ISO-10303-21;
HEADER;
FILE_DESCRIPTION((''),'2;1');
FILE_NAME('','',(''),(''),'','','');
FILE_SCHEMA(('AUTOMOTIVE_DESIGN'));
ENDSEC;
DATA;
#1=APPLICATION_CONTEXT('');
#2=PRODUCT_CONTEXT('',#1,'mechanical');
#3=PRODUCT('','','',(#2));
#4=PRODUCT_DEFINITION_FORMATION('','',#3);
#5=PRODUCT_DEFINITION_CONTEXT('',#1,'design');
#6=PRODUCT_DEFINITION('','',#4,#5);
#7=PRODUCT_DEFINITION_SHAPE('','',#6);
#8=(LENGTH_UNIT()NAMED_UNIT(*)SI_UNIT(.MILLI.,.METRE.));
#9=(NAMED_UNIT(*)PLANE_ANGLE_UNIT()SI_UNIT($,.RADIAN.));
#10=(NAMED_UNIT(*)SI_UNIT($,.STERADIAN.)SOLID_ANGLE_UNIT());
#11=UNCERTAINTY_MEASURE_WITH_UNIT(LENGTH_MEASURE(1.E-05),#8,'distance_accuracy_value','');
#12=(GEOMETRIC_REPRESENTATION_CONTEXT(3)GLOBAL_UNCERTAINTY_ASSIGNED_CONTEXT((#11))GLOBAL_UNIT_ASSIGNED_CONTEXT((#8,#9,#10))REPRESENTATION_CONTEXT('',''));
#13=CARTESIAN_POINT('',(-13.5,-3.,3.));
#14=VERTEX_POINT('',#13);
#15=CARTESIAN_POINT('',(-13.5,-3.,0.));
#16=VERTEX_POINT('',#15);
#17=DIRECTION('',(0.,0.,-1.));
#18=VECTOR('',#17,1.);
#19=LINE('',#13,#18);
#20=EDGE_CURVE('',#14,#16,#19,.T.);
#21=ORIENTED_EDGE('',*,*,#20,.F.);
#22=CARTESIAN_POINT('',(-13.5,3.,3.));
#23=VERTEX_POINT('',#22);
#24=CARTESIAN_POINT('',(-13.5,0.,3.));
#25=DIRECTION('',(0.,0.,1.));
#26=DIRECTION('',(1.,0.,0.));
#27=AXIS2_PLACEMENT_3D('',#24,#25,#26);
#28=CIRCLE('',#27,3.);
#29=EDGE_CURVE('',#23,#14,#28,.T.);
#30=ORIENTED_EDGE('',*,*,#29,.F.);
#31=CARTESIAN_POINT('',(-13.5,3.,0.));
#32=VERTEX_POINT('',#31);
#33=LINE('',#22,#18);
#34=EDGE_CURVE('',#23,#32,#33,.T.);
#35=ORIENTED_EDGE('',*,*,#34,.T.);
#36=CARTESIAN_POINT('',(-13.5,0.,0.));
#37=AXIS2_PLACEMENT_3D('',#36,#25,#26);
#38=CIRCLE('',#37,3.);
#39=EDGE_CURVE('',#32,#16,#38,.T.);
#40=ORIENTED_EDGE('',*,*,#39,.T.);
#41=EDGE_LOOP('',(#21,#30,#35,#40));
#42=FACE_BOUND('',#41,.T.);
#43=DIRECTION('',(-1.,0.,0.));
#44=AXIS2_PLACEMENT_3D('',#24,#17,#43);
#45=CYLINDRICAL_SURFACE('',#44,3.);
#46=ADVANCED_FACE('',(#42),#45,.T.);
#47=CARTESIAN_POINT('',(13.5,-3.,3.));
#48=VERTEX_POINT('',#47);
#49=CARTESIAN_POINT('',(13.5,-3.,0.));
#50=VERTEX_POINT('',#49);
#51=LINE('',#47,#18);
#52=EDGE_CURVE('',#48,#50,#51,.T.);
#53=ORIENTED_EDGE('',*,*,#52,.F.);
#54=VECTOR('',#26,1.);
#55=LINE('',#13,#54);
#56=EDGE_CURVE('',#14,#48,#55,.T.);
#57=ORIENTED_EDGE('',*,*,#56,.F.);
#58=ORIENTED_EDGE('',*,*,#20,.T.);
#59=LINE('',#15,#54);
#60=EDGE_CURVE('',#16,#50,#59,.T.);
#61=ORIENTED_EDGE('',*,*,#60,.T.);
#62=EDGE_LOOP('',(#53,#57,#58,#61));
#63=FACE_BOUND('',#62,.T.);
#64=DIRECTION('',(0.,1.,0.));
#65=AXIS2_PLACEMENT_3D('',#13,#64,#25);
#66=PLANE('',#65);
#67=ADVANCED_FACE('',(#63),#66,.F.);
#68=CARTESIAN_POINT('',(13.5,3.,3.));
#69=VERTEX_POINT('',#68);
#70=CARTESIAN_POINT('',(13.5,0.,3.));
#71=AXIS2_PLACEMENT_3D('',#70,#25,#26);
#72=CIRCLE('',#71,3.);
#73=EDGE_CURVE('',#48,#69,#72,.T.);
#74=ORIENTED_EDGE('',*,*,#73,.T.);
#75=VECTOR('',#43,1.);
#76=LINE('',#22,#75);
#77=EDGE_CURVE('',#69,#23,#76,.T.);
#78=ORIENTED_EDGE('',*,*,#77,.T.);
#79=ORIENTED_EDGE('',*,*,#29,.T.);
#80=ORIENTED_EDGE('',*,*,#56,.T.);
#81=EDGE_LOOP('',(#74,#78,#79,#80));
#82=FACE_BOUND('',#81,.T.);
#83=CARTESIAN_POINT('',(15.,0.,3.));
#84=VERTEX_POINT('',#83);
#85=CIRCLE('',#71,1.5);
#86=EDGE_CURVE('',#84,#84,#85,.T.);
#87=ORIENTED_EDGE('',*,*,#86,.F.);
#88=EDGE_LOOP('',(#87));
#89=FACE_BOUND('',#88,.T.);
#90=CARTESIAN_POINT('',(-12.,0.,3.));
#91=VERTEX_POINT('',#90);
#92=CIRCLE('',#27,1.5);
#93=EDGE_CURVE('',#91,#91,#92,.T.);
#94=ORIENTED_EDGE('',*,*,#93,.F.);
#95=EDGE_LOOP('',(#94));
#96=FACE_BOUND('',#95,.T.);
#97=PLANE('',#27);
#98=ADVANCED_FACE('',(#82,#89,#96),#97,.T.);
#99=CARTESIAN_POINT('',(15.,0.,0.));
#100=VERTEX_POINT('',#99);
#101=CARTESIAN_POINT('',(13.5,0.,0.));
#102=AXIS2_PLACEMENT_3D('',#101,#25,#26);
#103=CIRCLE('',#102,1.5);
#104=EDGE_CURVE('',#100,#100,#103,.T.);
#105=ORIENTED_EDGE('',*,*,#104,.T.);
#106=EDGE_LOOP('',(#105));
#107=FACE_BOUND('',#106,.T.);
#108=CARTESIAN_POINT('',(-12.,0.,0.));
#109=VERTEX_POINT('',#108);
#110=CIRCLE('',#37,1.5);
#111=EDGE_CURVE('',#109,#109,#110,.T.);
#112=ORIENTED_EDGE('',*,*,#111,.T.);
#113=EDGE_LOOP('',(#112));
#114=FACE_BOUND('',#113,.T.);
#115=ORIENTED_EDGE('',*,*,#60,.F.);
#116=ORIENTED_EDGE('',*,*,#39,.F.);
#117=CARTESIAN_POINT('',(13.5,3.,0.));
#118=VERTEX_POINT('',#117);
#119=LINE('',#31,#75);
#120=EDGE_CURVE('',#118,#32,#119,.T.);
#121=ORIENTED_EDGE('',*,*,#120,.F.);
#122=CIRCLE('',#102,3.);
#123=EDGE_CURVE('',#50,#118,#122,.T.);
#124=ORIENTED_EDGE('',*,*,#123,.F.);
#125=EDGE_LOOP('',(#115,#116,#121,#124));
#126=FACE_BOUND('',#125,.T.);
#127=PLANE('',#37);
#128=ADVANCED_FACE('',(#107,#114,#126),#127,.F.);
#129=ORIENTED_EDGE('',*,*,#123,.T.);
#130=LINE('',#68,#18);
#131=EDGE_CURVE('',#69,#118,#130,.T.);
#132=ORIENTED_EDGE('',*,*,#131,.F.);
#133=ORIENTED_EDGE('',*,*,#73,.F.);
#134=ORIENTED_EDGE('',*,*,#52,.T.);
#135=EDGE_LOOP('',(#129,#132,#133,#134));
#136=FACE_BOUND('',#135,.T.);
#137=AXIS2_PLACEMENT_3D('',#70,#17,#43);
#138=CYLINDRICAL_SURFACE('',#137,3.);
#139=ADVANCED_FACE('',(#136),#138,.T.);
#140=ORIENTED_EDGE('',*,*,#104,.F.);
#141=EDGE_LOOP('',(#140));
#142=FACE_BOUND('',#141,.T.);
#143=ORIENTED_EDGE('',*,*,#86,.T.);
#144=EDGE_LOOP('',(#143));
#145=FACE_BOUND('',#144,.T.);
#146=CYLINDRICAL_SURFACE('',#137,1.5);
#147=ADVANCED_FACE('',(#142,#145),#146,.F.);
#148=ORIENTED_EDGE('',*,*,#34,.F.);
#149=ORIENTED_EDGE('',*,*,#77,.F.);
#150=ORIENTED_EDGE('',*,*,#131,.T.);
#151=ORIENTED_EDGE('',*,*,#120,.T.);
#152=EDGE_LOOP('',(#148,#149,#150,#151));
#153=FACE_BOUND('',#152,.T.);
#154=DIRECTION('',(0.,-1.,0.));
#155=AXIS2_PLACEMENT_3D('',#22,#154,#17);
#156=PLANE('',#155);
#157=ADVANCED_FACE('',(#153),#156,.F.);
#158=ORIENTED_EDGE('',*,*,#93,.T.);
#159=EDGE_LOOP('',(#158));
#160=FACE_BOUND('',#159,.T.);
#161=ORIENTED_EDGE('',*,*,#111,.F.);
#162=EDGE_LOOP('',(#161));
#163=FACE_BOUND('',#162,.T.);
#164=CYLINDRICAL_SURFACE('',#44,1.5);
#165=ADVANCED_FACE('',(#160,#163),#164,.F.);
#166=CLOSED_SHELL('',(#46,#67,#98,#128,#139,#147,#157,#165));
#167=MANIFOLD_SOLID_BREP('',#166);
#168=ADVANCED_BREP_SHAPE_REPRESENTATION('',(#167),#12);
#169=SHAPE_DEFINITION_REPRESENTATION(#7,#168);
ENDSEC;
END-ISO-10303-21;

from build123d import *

# Parameters (mm, degrees)
SKETCH_1_R      = 1.5
EXTRUDE_1_DEPTH = 3


with BuildPart() as part:
    # 草图1 → 凸台-拉伸1 (new body)
    with BuildSketch(Plane.XY):
        with BuildLine():
            Line((-13.5, 3), (13.5, 3))
            ThreePointArc((13.5, 3), (16.5, 0), (13.5, -3))
            Line((13.5, -3), (-13.5, -3))
            ThreePointArc((-13.5, -3), (-16.5, 0), (-13.5, 3))
        make_face()
        with Locations((13.5, 0)):
            Circle(SKETCH_1_R, mode=Mode.SUBTRACT)
        with Locations((-13.5, 0)):
            Circle(SKETCH_1_R, mode=Mode.SUBTRACT)
    extrude(amount=EXTRUDE_1_DEPTH)


solid = part.part
